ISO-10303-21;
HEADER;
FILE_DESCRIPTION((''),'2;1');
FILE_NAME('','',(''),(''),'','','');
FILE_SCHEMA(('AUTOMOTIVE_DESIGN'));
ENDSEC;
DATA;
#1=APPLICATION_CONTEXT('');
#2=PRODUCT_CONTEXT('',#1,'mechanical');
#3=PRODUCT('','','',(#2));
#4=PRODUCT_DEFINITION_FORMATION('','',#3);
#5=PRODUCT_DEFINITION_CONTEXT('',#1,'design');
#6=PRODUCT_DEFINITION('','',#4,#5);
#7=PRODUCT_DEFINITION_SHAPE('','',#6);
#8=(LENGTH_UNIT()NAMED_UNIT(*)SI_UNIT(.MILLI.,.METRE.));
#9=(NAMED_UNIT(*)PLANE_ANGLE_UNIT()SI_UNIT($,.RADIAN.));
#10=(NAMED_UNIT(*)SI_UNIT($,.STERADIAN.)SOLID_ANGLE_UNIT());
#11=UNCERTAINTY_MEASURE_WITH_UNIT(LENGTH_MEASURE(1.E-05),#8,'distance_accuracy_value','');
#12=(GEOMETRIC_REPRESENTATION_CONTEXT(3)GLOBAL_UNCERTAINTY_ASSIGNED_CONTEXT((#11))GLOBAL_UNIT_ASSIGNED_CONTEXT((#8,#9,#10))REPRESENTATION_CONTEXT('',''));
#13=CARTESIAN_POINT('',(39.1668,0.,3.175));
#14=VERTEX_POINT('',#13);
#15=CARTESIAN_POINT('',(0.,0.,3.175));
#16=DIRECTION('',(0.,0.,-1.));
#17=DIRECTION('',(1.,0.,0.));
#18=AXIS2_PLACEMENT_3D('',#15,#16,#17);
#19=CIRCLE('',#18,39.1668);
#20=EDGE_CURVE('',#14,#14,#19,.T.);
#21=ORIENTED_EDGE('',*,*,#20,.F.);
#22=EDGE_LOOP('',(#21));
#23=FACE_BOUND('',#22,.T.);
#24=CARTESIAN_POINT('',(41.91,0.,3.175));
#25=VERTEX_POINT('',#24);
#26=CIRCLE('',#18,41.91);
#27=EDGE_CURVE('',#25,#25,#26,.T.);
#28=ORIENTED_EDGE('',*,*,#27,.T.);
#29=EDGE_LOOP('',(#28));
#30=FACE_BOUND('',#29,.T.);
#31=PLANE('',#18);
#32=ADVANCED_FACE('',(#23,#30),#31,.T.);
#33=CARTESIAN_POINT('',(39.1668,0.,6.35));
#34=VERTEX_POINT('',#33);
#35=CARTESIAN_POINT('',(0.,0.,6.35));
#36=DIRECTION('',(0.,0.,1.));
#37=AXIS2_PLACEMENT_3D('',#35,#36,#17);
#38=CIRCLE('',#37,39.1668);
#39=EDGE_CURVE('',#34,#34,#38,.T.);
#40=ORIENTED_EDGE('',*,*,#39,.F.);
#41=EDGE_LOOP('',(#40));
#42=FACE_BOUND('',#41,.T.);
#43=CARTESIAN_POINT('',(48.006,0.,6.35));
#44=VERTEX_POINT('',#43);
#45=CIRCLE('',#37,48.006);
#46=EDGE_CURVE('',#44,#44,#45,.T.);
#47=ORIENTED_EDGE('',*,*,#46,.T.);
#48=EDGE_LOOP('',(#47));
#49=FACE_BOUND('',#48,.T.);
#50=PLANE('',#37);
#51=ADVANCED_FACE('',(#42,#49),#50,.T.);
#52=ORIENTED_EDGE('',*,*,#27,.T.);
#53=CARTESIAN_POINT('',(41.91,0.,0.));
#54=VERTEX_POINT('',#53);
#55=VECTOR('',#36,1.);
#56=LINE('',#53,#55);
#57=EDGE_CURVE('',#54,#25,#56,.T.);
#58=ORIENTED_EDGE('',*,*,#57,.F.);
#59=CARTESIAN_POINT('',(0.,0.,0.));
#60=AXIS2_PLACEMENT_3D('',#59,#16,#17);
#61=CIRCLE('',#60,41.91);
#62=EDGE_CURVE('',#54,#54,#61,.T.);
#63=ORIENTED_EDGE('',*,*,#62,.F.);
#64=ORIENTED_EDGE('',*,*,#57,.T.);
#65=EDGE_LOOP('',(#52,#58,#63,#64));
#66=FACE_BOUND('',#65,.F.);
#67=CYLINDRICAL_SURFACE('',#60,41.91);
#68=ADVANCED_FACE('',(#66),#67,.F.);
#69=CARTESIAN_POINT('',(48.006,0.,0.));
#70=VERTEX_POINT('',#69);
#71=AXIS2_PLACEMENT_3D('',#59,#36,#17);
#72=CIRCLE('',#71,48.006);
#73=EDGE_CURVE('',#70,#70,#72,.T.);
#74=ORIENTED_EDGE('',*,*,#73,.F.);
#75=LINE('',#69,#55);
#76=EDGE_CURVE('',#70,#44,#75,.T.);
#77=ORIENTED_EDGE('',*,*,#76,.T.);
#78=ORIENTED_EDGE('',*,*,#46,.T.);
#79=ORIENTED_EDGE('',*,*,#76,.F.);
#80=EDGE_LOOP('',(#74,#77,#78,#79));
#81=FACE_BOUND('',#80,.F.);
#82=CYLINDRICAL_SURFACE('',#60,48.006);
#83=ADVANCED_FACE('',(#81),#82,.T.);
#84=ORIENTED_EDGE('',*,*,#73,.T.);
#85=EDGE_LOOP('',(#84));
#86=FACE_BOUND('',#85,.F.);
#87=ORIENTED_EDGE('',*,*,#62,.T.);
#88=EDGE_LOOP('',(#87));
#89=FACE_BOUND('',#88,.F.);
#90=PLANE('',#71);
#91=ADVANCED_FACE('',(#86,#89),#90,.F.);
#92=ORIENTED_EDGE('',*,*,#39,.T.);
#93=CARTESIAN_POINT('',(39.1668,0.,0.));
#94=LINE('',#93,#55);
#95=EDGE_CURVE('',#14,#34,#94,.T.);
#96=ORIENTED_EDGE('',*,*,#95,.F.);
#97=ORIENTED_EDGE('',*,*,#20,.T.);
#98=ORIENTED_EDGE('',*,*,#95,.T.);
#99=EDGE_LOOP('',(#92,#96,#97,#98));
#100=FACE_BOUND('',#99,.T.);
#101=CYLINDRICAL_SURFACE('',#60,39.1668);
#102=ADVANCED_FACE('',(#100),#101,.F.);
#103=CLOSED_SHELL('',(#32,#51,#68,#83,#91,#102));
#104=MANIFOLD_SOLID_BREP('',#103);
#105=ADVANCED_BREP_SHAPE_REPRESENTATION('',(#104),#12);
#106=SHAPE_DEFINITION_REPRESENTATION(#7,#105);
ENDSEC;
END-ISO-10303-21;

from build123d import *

# Parameters (mm, degrees)
F0_R     = 48.006
F0_R_2   = 39.1668
F1_DEPTH = 6.35
F2_R     = 41.91
F3_DEPTH = 3.175


with BuildPart() as f1:
    # F0 (on Top) → F1 (new body)
    with BuildSketch(Plane.XY):
        Circle(F0_R)
        Circle(F0_R_2, mode=Mode.SUBTRACT)
    extrude(amount=F1_DEPTH)

    # F2 (on face) → F3 (cut)
    with BuildSketch(Plane(origin=(0, 0, 0), x_dir=(1, 0, 0), z_dir=(0, 0, -1))):
        Circle(F2_R)
    extrude(amount=-F3_DEPTH, mode=Mode.SUBTRACT)


solid = f1.part
